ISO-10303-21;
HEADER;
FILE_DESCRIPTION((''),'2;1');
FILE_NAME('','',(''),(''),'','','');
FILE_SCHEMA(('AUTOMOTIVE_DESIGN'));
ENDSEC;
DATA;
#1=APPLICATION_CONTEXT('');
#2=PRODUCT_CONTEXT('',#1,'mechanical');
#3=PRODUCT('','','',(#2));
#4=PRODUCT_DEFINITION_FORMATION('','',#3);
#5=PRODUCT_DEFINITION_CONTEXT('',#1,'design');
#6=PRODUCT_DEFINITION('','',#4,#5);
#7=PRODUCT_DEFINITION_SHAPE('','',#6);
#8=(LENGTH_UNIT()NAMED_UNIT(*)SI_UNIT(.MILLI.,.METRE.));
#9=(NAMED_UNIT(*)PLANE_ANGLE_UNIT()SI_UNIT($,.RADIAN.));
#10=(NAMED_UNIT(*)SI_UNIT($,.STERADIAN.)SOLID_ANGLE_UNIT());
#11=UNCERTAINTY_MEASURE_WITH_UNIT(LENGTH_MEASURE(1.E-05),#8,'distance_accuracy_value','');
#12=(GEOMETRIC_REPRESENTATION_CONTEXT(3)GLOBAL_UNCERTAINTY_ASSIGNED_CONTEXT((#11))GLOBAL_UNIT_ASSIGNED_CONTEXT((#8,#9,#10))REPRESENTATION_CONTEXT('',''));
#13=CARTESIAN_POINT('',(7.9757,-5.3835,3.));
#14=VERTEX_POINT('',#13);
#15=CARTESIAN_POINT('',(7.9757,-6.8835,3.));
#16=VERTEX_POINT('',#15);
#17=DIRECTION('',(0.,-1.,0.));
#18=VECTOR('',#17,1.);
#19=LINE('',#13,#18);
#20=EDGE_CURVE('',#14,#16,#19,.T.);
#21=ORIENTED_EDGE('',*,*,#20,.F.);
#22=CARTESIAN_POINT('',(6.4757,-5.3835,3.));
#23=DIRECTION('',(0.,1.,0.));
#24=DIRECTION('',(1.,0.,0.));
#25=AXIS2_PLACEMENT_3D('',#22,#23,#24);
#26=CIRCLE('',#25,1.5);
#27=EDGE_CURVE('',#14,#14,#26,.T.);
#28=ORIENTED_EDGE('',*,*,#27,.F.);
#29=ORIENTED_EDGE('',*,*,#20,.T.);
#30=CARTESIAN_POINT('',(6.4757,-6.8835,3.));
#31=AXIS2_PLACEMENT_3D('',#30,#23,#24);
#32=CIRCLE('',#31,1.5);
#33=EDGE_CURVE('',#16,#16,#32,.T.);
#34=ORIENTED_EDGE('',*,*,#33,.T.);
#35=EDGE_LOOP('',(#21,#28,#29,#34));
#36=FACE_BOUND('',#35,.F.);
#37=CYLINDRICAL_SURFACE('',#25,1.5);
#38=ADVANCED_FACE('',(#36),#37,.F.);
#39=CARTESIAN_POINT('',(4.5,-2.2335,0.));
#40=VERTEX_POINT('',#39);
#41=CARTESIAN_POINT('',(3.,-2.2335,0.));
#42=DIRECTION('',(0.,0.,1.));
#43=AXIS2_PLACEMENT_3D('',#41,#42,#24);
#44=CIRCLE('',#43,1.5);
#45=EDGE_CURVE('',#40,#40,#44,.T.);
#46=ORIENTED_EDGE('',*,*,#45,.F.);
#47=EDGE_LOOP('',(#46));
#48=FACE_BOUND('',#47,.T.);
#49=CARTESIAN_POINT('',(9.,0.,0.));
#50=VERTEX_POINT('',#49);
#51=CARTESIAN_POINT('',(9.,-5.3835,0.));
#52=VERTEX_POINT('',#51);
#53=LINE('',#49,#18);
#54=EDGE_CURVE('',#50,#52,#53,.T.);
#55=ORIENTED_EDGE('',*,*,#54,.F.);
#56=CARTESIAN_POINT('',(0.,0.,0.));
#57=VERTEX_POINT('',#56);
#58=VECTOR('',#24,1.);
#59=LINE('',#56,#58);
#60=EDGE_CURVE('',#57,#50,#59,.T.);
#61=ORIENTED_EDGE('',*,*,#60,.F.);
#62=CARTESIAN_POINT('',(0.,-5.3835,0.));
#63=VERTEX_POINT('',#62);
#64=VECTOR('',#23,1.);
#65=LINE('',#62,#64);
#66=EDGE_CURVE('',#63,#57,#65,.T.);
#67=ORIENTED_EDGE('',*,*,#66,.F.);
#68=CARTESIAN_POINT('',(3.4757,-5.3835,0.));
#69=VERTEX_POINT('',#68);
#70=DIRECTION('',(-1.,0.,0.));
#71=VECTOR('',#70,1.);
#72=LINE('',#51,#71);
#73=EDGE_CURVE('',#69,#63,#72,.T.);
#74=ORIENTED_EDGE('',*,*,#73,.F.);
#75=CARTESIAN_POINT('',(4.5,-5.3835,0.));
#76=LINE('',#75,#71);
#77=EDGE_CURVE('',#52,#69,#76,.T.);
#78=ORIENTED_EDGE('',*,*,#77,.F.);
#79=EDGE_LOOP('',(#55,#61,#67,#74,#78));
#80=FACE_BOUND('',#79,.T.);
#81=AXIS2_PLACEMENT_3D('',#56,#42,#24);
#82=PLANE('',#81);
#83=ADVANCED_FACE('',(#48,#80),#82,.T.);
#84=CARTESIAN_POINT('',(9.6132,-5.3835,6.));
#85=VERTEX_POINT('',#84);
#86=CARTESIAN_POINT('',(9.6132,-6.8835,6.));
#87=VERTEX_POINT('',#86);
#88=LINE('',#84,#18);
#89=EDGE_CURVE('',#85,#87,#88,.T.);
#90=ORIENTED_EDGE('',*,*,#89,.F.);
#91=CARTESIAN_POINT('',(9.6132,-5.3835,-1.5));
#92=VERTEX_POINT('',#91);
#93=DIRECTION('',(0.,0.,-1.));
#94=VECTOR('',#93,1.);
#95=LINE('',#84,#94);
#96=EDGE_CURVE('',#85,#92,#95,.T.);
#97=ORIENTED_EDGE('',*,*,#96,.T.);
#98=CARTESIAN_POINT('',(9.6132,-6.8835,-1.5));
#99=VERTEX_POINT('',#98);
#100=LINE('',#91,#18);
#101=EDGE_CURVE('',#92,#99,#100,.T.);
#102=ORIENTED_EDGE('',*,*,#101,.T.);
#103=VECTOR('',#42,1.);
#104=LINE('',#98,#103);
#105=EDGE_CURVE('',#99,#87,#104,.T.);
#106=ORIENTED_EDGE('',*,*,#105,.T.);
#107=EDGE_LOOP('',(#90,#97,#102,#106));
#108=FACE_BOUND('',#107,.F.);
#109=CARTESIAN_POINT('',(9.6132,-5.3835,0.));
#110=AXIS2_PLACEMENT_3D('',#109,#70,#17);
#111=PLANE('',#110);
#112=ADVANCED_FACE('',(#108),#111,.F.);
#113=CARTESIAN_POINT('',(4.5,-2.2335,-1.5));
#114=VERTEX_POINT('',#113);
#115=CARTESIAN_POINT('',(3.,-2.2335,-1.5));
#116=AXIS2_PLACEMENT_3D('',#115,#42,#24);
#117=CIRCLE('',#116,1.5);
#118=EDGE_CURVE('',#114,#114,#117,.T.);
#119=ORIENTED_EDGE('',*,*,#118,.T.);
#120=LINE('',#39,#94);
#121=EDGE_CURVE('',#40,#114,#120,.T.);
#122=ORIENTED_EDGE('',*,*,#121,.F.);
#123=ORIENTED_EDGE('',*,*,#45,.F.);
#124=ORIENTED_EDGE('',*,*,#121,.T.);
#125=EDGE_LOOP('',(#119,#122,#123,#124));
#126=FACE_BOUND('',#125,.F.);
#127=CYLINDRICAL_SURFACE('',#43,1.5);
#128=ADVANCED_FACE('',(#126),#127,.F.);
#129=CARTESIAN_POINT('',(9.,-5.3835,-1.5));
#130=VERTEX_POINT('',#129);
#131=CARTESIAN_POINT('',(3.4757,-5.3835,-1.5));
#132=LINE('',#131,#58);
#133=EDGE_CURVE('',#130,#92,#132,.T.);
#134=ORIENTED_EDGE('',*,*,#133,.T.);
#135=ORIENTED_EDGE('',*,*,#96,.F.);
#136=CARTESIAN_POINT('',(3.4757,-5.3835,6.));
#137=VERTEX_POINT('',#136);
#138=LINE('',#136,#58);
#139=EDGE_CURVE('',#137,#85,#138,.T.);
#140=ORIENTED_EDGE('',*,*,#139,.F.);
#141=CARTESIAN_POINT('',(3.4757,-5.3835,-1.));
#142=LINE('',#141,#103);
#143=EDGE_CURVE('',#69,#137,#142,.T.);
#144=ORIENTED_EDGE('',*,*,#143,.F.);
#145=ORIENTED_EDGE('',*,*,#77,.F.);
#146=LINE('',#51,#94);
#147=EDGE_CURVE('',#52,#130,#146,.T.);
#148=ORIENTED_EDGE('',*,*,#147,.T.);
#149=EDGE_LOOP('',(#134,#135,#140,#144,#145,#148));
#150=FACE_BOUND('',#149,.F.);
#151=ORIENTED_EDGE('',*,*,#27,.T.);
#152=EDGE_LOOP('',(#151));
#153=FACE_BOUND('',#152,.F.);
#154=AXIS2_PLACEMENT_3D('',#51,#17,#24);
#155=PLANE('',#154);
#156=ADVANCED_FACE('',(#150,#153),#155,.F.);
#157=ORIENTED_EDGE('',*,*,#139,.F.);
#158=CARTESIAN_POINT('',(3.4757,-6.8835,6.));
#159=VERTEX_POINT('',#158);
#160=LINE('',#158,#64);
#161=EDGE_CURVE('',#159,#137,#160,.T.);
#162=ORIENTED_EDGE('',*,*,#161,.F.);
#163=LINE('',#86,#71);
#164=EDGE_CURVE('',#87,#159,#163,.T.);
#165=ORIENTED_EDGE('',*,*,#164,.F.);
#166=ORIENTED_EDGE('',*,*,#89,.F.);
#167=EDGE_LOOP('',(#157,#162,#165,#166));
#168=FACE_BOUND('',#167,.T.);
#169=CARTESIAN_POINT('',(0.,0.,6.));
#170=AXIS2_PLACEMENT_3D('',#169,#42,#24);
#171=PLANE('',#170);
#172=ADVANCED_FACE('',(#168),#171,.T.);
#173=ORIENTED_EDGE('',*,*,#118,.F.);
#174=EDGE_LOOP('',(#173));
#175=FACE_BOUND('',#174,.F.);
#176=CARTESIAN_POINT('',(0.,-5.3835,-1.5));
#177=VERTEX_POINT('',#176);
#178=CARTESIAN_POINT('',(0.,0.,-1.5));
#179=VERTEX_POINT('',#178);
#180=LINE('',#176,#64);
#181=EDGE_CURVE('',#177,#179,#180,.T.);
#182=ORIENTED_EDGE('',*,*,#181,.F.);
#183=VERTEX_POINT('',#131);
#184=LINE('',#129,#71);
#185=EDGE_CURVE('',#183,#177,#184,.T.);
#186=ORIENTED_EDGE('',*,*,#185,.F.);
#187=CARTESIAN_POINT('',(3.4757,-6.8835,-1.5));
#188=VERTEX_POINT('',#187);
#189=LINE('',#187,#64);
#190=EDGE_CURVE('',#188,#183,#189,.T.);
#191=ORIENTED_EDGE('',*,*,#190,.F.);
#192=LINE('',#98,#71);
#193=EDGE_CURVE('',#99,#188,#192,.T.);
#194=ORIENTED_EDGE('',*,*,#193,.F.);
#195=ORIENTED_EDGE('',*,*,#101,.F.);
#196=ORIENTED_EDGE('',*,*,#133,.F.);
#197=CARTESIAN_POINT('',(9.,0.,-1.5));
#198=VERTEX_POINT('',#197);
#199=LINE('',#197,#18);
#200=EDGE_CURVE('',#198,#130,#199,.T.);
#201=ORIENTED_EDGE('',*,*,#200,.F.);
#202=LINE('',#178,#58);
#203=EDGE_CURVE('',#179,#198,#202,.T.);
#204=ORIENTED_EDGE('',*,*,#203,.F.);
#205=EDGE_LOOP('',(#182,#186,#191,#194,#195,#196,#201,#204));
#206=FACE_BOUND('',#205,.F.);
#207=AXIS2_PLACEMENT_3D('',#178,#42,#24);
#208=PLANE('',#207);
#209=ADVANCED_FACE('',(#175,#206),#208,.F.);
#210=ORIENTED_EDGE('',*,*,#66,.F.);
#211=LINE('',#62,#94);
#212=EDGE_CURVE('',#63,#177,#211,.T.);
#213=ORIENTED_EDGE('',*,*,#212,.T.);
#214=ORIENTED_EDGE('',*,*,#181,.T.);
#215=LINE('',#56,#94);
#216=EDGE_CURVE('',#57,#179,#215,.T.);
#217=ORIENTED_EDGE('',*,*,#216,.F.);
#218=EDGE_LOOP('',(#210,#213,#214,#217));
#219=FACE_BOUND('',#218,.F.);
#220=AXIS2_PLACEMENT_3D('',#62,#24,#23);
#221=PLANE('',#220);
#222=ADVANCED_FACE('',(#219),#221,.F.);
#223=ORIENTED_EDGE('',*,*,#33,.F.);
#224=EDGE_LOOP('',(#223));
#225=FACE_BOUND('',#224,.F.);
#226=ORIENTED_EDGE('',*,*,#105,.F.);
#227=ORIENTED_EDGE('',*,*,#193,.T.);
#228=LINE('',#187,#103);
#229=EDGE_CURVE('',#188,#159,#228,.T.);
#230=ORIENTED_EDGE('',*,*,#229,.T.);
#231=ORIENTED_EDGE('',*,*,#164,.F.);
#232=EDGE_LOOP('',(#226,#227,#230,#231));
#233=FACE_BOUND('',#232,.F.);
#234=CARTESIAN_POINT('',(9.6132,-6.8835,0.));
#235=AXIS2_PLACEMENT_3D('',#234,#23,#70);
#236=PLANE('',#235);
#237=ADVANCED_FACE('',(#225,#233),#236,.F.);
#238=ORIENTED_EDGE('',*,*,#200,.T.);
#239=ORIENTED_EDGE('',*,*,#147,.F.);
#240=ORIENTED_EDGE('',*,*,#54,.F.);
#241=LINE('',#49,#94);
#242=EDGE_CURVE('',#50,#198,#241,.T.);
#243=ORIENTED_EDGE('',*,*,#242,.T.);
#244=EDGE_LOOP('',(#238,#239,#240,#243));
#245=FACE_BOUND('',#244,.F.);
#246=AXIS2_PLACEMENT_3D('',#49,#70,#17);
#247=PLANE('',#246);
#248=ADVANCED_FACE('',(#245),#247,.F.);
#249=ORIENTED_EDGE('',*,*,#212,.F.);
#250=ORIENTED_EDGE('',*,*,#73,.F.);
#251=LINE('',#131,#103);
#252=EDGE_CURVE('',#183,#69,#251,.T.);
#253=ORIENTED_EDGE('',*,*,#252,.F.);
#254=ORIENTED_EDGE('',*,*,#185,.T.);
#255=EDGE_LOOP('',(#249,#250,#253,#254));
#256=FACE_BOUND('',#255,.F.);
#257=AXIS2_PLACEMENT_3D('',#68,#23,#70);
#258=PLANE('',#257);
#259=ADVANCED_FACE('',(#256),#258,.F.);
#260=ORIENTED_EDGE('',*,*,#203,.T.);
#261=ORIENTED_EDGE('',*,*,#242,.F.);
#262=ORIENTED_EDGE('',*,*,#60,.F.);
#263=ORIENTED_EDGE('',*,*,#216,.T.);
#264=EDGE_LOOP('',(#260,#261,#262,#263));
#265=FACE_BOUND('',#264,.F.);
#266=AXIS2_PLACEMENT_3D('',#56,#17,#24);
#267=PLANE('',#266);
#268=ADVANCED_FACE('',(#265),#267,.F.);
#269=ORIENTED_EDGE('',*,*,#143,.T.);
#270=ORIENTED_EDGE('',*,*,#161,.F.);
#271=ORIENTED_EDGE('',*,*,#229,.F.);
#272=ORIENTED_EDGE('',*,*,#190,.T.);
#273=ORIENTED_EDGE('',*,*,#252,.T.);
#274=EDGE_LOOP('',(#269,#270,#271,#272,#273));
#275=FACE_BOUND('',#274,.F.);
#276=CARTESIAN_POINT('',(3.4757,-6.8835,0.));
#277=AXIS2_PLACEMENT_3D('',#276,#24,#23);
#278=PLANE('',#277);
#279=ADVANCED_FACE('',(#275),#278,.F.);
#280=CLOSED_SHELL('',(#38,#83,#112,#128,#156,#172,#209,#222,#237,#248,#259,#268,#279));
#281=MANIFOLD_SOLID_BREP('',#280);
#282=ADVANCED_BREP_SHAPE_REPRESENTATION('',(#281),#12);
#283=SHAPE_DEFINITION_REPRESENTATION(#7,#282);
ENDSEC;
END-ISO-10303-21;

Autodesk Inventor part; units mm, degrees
ref_plane "YZ Plane" through (0, 0, 0) normal (1, 0, 0) x (0, 1, 0)
ref_plane "XZ Plane" through (0, 0, 0) normal (0, 1, 0) x (-1, 0, 0)
ref_plane "XY Plane" through (0, 0, 0) normal (0, 0, 1) x (1, 0, 0)
sketch "Sketch1" plane through (0, 0, 0) normal (0, 0, 1) x (1, 0, 0)
  line L0 (0, 0) -> (9, 0)
  line L1 (9, 0) -> (9, -5.3835)
  line L2 (9, -5.3835) -> (0, -5.3835)
  line L3 (0, -5.3835) -> (0, 0)
  circle A0 centre (3, -2.2335) radius 1.5
  line L4 (3.4757, -5.3835) -> (9.6132, -5.3835)
  line L5 (9.6132, -5.3835) -> (9.6132, -6.8835)
  line L6 (9.6132, -6.8835) -> (3.4757, -6.8835)
  line L7 (3.4757, -6.8835) -> (3.4757, -5.3835)
  dimension "d0" = 3
  dimension "d1" = 3.15
  dimension "d8" = 1.5
extrude "Extrusion1" add sketch "Sketch1" against normal blind 1.5
extrude "Extrusion2" add sketch "Sketch1" along normal blind 6 and the other way blind 1 contours L4 L5 L6 L7 L2
sketch "Sketch2" plane through (3.4757, -5.3835, 0) normal (0, 1, 0) x (1, 0, 0)
  circle A0 centre (3, -3) radius 1.5
  line L0 (1.0243, 0) -> (-1.9757, 0) projected
  line L1 (0, 0) -> (0, -6) projected
  point P0 (-3.4757, 0)
  point P1 (-0.4757, 0)
  dimension "d9" = 3
  dimension "d10" = 3
  dimension "d11" = 3
extrude "Extrusion3" cut sketch "Sketch2" against normal blind 1.5
properties part number "IMU_holder"
